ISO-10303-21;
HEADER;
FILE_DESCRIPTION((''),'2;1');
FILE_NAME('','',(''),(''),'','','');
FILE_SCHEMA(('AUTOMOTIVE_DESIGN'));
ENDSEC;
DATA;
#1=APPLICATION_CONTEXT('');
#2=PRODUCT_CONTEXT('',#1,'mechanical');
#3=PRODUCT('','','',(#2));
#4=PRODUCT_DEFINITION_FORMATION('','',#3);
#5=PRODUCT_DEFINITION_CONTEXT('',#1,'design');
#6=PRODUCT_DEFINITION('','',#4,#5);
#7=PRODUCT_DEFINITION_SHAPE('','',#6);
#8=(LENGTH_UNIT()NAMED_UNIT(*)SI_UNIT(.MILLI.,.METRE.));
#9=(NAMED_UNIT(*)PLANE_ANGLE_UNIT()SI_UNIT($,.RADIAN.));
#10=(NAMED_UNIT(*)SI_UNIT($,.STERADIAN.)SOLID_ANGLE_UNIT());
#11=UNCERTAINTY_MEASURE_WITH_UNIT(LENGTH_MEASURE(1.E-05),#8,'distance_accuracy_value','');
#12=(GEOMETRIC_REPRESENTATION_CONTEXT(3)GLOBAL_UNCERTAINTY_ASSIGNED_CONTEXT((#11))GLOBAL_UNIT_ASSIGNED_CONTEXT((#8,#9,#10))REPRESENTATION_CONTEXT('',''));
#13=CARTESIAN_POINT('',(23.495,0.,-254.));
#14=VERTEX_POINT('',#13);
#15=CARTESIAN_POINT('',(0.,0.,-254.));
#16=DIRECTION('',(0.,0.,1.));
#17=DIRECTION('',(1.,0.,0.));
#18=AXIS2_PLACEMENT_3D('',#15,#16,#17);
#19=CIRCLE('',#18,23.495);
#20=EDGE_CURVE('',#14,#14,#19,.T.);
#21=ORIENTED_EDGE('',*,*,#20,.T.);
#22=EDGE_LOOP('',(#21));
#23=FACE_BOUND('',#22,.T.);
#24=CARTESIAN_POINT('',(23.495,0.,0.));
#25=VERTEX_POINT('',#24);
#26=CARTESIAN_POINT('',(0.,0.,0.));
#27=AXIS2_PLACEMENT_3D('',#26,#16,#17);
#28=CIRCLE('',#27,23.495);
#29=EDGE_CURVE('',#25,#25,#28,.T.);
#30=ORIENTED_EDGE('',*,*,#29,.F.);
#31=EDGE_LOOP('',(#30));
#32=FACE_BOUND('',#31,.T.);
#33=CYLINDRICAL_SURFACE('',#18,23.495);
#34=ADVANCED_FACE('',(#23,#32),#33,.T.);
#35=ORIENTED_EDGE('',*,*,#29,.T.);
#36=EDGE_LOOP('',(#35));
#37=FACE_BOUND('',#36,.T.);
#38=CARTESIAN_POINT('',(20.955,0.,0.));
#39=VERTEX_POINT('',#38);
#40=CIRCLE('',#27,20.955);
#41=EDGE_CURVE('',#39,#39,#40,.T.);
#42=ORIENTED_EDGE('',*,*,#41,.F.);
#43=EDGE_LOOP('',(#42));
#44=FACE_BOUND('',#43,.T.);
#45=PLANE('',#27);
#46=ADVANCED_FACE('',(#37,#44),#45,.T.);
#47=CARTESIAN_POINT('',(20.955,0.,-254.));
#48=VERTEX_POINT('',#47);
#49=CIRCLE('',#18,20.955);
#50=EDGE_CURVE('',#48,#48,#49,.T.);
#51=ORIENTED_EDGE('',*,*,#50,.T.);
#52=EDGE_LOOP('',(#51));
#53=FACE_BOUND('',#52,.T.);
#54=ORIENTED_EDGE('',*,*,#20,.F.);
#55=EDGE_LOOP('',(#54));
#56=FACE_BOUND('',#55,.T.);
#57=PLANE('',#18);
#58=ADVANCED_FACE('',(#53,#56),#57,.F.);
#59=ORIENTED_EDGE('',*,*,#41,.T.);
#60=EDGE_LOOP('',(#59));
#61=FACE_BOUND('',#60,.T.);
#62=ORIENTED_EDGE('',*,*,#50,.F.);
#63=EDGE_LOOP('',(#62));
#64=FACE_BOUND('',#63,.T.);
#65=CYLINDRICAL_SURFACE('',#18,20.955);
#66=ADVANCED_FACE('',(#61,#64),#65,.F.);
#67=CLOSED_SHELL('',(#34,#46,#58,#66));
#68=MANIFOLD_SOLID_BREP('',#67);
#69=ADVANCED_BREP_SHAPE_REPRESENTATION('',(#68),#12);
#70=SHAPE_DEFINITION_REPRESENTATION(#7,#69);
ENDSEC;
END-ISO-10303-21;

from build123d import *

# Parameters (mm, degrees)
SKETCH2_R           = 23.495
SKETCH2_R_2         = 20.955
BOSS_EXTRUDE1_DEPTH = 254


with BuildPart() as part:
    # Sketch2 → Boss-Extrude1 (new body)
    with BuildSketch(Plane.XY):
        Circle(SKETCH2_R)
        Circle(SKETCH2_R_2, mode=Mode.SUBTRACT)
    extrude(amount=-BOSS_EXTRUDE1_DEPTH)


solid = part.part
